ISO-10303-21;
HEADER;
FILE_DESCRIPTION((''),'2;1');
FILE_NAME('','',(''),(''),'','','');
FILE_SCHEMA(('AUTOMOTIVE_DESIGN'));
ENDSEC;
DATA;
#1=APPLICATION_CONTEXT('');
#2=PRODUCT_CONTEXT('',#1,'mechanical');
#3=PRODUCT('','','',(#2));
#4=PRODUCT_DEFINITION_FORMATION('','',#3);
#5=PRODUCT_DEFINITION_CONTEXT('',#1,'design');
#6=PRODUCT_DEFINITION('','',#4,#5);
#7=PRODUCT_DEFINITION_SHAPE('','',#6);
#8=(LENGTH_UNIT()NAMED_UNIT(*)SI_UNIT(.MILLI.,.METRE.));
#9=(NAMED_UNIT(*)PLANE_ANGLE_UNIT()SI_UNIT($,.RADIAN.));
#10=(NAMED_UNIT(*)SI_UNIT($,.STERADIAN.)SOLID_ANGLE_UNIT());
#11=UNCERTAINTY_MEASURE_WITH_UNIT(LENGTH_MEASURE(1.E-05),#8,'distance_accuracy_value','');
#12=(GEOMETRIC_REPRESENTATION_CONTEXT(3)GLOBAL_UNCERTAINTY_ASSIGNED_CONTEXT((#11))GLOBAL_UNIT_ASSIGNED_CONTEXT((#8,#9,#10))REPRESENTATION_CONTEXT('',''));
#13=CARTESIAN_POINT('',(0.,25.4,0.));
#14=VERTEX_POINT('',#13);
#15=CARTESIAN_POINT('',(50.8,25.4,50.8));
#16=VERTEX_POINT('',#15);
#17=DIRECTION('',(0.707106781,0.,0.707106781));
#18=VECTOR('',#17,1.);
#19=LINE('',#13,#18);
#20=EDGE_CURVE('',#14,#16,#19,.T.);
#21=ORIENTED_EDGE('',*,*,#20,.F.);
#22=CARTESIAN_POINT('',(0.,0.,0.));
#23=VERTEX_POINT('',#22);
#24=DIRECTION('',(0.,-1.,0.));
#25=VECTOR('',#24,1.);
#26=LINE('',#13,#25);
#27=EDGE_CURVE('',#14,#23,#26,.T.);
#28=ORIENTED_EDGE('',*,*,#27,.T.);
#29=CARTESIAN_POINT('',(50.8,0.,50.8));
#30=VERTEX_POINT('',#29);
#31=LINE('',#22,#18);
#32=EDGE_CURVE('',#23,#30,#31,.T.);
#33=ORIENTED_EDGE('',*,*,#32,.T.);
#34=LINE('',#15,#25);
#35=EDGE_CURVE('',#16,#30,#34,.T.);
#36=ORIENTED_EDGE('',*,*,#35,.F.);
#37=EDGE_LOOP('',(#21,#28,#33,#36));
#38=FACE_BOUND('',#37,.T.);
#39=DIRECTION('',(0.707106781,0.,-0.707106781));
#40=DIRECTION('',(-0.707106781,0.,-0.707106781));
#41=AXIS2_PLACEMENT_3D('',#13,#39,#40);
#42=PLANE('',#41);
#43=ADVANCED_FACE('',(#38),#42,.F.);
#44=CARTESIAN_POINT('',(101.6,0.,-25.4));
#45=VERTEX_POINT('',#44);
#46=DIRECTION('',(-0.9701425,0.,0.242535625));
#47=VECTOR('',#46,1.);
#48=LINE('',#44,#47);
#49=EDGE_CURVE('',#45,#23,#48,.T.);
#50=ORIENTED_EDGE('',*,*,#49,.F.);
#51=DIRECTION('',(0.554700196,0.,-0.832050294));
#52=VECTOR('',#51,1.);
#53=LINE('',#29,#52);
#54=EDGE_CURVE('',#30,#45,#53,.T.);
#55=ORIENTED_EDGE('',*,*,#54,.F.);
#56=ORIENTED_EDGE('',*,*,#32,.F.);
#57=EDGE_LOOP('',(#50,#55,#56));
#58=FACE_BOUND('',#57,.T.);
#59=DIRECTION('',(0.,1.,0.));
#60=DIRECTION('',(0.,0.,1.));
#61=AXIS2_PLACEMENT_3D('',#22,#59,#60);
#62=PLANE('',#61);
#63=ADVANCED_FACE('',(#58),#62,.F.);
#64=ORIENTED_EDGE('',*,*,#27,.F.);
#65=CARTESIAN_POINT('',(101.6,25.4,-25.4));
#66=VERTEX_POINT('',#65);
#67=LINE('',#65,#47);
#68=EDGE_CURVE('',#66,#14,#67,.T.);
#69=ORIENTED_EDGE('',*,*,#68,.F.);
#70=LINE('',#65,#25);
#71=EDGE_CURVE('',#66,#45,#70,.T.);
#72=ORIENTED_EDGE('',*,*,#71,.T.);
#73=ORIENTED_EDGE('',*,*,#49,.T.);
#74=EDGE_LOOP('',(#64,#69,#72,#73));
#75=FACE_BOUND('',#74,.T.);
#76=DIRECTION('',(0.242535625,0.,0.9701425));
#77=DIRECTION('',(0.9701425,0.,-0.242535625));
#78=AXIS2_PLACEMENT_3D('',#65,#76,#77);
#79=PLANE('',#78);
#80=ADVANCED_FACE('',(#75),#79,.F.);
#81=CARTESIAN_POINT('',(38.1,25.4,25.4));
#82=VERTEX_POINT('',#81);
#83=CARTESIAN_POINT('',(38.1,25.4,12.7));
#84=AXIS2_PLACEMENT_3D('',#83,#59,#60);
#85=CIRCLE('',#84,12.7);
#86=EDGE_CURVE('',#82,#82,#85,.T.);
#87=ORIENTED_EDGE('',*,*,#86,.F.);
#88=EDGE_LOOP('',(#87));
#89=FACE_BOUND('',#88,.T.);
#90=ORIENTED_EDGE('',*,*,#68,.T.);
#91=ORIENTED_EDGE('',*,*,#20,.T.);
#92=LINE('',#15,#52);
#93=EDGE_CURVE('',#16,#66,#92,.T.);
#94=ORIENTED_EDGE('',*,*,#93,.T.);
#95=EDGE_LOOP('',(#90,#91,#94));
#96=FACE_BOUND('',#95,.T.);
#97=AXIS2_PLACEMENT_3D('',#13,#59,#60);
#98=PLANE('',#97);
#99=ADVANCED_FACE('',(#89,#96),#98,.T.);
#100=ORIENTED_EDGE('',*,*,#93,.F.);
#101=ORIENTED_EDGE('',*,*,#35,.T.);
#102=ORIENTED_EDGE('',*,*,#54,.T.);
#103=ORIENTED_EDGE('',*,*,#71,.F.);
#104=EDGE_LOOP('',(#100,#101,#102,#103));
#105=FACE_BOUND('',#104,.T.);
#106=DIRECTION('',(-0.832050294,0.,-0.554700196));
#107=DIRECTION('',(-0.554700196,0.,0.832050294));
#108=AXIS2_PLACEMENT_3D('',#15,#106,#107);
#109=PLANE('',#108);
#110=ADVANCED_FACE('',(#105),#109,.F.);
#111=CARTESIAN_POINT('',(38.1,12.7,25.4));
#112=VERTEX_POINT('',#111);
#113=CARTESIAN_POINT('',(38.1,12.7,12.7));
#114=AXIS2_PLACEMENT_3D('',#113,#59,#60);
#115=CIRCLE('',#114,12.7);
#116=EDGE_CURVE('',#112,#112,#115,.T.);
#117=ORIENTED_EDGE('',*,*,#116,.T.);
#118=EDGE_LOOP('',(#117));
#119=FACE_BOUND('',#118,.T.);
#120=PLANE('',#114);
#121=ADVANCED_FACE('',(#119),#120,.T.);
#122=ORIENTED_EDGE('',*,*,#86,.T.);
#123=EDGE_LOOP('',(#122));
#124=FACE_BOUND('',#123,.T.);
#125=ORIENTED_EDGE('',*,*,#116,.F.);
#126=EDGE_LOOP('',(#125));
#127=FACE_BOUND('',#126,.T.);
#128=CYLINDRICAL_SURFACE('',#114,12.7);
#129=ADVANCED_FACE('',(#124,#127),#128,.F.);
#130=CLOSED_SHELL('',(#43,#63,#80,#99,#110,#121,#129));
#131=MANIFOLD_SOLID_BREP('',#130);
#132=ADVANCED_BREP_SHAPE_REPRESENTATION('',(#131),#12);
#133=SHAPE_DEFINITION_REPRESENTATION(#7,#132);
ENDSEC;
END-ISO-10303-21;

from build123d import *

# Parameters (mm, degrees)
BOSS_EXTRUDE1_DEPTH = 25.4
SKETCH2_R           = 12.7
CUT_EXTRUDE1_DEPTH  = 12.7


with BuildPart() as part:
    # Sketch1 → Boss-Extrude1 (new body)
    with BuildSketch(Plane(origin=(0, 0, 0), x_dir=(1, 0, 0), z_dir=(0, 1, 0))):
        Polygon((0, 0), (50.8, -50.8), (101.6, 25.4), align=None)
    extrude(amount=BOSS_EXTRUDE1_DEPTH)

    # Sketch2 → Cut-Extrude1 (cut)
    with BuildSketch(Plane(origin=(0, 25.4, 0), x_dir=(1, 0, 0), z_dir=(0, 1, 0))):
        with Locations((38.1, -12.7)):
            Circle(SKETCH2_R)
    extrude(amount=-CUT_EXTRUDE1_DEPTH, mode=Mode.SUBTRACT)


solid = part.part
